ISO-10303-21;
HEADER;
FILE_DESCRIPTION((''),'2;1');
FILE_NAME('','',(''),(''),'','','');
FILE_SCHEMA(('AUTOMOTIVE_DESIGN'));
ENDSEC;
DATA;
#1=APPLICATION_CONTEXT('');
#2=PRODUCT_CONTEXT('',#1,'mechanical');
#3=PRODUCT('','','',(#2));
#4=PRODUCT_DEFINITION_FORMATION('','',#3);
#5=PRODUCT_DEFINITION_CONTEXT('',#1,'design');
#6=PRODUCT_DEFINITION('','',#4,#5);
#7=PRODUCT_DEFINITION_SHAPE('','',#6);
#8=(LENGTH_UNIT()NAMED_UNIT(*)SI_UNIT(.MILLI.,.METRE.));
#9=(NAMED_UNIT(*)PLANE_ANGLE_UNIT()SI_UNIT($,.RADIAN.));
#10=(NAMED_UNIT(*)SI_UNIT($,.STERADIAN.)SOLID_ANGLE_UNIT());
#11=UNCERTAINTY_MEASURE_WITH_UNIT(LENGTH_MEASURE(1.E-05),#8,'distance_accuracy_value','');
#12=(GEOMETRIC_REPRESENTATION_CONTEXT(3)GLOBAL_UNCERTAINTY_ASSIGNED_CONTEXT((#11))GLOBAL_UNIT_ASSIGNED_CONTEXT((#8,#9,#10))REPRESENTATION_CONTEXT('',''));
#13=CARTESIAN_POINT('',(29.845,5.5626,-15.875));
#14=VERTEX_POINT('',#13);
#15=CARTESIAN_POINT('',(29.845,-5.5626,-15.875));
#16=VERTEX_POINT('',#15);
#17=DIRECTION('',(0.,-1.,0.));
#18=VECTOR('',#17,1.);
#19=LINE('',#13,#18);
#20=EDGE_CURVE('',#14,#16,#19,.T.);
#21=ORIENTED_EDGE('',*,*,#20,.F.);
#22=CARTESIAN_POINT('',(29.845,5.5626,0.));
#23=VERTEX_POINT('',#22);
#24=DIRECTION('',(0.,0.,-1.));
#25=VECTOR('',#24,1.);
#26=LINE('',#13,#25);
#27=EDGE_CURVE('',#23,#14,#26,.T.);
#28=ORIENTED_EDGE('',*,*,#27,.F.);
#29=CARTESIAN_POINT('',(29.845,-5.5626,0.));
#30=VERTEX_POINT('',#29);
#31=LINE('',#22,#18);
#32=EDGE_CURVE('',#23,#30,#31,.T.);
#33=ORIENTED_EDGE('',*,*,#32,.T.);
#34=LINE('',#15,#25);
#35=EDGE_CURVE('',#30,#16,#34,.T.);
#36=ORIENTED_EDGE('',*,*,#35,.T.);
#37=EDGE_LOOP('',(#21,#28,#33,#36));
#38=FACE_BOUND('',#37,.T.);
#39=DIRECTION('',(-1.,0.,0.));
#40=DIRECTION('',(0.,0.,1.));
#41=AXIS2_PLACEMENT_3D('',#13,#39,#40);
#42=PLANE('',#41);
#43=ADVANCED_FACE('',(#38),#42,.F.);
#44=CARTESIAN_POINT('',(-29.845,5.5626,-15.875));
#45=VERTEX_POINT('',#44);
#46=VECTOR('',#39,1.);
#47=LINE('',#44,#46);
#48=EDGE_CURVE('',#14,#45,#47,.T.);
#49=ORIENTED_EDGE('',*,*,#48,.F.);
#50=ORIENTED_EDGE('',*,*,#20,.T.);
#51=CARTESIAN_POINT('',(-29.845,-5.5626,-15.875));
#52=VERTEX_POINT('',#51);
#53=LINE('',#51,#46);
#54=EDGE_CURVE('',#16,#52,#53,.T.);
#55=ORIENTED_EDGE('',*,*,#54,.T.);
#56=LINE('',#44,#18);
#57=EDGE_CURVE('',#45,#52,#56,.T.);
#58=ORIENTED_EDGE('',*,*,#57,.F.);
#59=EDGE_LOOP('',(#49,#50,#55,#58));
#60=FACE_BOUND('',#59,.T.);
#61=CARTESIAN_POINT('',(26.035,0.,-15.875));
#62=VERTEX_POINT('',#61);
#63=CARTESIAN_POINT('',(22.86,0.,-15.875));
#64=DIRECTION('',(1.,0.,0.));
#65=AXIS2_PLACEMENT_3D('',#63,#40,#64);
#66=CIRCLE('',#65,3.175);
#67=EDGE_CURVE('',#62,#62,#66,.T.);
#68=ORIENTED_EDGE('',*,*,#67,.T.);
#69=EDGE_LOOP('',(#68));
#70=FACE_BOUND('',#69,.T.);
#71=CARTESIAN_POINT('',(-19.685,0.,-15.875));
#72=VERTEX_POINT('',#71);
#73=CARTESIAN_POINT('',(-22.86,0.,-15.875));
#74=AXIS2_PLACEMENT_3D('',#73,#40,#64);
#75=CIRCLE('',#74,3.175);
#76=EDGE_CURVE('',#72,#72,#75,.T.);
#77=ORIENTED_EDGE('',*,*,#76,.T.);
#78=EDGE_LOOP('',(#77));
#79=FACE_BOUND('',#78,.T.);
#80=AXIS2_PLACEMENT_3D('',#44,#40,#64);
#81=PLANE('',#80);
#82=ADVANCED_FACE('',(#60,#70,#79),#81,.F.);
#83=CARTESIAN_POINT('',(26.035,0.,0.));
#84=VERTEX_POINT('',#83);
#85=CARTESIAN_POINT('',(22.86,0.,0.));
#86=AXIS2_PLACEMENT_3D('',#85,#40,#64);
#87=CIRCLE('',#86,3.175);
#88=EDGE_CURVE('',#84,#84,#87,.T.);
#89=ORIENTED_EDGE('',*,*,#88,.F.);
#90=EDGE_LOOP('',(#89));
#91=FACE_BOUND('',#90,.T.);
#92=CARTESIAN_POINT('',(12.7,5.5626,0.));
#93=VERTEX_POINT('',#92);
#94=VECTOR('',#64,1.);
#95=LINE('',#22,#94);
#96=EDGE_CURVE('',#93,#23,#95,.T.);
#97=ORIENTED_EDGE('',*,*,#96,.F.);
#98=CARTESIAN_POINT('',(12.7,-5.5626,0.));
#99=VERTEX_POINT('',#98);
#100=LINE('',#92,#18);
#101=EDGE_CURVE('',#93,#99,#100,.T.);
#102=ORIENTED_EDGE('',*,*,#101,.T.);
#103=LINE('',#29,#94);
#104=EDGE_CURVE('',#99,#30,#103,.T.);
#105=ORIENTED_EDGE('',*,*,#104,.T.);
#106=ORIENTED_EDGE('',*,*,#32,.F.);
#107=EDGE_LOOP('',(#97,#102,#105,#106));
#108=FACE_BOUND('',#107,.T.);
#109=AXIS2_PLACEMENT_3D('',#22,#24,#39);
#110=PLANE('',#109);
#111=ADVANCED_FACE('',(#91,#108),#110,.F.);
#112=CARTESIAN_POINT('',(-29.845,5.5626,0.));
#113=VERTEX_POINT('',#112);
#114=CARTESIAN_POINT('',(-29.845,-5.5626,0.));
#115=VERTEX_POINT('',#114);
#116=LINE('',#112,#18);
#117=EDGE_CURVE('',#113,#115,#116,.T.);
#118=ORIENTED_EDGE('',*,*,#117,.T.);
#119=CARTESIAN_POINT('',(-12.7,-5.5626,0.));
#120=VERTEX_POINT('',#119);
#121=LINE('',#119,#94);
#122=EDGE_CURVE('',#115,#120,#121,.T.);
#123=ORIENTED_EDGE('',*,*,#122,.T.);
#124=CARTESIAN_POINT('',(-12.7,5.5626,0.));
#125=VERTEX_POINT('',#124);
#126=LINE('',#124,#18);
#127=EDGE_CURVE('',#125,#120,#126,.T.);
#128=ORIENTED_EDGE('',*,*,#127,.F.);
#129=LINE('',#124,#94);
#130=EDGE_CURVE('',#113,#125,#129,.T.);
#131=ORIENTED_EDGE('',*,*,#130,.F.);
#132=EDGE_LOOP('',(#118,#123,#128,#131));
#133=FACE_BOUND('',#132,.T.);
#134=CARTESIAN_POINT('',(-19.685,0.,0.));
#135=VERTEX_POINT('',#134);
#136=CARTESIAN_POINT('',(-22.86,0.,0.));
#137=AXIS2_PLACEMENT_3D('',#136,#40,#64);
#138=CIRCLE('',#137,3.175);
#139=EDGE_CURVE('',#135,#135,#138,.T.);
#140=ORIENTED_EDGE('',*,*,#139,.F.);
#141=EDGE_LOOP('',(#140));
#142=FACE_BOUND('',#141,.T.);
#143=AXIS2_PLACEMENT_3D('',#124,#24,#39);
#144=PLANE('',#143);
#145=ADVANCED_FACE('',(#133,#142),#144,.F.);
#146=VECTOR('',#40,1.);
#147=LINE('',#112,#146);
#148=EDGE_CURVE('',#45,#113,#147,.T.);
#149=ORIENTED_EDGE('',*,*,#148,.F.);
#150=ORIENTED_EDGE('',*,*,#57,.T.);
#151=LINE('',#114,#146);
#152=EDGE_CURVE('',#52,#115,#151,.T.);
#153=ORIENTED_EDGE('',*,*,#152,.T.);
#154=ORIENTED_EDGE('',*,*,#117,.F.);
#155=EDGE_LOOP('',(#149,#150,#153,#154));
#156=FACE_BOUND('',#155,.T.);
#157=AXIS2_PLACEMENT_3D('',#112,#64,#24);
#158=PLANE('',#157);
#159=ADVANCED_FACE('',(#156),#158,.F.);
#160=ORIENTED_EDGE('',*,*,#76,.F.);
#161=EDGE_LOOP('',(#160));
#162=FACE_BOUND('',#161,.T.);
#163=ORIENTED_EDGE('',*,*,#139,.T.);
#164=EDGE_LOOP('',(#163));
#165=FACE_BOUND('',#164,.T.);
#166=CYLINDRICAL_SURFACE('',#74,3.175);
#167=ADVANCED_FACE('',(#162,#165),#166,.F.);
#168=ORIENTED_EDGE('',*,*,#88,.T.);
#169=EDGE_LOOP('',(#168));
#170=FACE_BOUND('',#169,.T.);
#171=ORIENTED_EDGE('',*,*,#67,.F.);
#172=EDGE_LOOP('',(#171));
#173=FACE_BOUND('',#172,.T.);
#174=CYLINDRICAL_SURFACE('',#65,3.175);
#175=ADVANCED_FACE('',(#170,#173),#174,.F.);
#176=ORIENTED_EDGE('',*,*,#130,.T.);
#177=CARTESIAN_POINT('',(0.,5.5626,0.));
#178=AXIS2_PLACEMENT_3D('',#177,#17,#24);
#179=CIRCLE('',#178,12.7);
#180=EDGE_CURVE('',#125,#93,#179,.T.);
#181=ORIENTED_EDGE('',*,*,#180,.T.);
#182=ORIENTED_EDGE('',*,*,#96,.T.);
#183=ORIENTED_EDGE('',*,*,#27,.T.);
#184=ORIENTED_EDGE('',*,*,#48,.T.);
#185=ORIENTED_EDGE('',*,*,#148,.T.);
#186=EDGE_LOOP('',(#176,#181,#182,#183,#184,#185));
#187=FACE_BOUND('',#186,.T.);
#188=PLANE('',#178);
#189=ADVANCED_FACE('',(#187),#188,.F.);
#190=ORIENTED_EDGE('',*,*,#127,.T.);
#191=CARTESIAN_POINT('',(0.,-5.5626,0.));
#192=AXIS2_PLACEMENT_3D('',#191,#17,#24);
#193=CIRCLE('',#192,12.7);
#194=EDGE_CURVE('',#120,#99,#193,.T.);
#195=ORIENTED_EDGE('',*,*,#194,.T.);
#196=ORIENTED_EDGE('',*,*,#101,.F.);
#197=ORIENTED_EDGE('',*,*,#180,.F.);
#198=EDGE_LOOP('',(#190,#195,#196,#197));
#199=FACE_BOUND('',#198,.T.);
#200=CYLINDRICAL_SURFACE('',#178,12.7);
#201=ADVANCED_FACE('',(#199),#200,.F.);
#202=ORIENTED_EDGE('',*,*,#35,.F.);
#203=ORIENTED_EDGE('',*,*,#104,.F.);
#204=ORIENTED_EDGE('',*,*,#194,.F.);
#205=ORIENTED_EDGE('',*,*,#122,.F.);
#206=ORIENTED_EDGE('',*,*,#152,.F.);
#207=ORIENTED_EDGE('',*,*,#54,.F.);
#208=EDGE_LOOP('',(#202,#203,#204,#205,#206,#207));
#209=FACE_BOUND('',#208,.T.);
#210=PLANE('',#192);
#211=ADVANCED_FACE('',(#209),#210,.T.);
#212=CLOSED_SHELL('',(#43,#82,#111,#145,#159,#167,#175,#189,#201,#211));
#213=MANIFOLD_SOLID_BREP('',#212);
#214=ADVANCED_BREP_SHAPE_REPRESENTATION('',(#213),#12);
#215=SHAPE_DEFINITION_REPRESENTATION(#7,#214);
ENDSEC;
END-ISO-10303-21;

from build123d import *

# Parameters (mm, degrees)
BOSS_EXTRUDE1_DEPTH = 5.5626
SKETCH2_R           = 3.175
CUT_EXTRUDE1_DEPTH  = 16.875


with BuildPart() as part:
    # Sketch1 → Boss-Extrude1 (new body, symmetric)
    with BuildSketch(Plane(origin=(0, 0, 0), x_dir=(1, 0, 0), z_dir=(0, 1, 0))):
        with BuildLine():
            Line((-12.7, 0), (-29.845, 0))
            Line((-29.845, 0), (-29.845, 15.875))
            Line((-29.845, 15.875), (29.845, 15.875))
            Line((29.845, 15.875), (29.845, 0))
            Line((29.845, 0), (12.7, 0))
            ThreePointArc((12.7, 0), (0, 12.7), (-12.7, 0))
        make_face()
    extrude(amount=BOSS_EXTRUDE1_DEPTH, both=True)

    # Sketch2 → Cut-Extrude1 (cut, through all)
    with BuildSketch(Plane.XY):
        with Locations((-22.86, 0)):
            Circle(SKETCH2_R)
        with Locations((22.86, 0)):
            Circle(SKETCH2_R)
    extrude(amount=-CUT_EXTRUDE1_DEPTH, mode=Mode.SUBTRACT)


solid = part.part
